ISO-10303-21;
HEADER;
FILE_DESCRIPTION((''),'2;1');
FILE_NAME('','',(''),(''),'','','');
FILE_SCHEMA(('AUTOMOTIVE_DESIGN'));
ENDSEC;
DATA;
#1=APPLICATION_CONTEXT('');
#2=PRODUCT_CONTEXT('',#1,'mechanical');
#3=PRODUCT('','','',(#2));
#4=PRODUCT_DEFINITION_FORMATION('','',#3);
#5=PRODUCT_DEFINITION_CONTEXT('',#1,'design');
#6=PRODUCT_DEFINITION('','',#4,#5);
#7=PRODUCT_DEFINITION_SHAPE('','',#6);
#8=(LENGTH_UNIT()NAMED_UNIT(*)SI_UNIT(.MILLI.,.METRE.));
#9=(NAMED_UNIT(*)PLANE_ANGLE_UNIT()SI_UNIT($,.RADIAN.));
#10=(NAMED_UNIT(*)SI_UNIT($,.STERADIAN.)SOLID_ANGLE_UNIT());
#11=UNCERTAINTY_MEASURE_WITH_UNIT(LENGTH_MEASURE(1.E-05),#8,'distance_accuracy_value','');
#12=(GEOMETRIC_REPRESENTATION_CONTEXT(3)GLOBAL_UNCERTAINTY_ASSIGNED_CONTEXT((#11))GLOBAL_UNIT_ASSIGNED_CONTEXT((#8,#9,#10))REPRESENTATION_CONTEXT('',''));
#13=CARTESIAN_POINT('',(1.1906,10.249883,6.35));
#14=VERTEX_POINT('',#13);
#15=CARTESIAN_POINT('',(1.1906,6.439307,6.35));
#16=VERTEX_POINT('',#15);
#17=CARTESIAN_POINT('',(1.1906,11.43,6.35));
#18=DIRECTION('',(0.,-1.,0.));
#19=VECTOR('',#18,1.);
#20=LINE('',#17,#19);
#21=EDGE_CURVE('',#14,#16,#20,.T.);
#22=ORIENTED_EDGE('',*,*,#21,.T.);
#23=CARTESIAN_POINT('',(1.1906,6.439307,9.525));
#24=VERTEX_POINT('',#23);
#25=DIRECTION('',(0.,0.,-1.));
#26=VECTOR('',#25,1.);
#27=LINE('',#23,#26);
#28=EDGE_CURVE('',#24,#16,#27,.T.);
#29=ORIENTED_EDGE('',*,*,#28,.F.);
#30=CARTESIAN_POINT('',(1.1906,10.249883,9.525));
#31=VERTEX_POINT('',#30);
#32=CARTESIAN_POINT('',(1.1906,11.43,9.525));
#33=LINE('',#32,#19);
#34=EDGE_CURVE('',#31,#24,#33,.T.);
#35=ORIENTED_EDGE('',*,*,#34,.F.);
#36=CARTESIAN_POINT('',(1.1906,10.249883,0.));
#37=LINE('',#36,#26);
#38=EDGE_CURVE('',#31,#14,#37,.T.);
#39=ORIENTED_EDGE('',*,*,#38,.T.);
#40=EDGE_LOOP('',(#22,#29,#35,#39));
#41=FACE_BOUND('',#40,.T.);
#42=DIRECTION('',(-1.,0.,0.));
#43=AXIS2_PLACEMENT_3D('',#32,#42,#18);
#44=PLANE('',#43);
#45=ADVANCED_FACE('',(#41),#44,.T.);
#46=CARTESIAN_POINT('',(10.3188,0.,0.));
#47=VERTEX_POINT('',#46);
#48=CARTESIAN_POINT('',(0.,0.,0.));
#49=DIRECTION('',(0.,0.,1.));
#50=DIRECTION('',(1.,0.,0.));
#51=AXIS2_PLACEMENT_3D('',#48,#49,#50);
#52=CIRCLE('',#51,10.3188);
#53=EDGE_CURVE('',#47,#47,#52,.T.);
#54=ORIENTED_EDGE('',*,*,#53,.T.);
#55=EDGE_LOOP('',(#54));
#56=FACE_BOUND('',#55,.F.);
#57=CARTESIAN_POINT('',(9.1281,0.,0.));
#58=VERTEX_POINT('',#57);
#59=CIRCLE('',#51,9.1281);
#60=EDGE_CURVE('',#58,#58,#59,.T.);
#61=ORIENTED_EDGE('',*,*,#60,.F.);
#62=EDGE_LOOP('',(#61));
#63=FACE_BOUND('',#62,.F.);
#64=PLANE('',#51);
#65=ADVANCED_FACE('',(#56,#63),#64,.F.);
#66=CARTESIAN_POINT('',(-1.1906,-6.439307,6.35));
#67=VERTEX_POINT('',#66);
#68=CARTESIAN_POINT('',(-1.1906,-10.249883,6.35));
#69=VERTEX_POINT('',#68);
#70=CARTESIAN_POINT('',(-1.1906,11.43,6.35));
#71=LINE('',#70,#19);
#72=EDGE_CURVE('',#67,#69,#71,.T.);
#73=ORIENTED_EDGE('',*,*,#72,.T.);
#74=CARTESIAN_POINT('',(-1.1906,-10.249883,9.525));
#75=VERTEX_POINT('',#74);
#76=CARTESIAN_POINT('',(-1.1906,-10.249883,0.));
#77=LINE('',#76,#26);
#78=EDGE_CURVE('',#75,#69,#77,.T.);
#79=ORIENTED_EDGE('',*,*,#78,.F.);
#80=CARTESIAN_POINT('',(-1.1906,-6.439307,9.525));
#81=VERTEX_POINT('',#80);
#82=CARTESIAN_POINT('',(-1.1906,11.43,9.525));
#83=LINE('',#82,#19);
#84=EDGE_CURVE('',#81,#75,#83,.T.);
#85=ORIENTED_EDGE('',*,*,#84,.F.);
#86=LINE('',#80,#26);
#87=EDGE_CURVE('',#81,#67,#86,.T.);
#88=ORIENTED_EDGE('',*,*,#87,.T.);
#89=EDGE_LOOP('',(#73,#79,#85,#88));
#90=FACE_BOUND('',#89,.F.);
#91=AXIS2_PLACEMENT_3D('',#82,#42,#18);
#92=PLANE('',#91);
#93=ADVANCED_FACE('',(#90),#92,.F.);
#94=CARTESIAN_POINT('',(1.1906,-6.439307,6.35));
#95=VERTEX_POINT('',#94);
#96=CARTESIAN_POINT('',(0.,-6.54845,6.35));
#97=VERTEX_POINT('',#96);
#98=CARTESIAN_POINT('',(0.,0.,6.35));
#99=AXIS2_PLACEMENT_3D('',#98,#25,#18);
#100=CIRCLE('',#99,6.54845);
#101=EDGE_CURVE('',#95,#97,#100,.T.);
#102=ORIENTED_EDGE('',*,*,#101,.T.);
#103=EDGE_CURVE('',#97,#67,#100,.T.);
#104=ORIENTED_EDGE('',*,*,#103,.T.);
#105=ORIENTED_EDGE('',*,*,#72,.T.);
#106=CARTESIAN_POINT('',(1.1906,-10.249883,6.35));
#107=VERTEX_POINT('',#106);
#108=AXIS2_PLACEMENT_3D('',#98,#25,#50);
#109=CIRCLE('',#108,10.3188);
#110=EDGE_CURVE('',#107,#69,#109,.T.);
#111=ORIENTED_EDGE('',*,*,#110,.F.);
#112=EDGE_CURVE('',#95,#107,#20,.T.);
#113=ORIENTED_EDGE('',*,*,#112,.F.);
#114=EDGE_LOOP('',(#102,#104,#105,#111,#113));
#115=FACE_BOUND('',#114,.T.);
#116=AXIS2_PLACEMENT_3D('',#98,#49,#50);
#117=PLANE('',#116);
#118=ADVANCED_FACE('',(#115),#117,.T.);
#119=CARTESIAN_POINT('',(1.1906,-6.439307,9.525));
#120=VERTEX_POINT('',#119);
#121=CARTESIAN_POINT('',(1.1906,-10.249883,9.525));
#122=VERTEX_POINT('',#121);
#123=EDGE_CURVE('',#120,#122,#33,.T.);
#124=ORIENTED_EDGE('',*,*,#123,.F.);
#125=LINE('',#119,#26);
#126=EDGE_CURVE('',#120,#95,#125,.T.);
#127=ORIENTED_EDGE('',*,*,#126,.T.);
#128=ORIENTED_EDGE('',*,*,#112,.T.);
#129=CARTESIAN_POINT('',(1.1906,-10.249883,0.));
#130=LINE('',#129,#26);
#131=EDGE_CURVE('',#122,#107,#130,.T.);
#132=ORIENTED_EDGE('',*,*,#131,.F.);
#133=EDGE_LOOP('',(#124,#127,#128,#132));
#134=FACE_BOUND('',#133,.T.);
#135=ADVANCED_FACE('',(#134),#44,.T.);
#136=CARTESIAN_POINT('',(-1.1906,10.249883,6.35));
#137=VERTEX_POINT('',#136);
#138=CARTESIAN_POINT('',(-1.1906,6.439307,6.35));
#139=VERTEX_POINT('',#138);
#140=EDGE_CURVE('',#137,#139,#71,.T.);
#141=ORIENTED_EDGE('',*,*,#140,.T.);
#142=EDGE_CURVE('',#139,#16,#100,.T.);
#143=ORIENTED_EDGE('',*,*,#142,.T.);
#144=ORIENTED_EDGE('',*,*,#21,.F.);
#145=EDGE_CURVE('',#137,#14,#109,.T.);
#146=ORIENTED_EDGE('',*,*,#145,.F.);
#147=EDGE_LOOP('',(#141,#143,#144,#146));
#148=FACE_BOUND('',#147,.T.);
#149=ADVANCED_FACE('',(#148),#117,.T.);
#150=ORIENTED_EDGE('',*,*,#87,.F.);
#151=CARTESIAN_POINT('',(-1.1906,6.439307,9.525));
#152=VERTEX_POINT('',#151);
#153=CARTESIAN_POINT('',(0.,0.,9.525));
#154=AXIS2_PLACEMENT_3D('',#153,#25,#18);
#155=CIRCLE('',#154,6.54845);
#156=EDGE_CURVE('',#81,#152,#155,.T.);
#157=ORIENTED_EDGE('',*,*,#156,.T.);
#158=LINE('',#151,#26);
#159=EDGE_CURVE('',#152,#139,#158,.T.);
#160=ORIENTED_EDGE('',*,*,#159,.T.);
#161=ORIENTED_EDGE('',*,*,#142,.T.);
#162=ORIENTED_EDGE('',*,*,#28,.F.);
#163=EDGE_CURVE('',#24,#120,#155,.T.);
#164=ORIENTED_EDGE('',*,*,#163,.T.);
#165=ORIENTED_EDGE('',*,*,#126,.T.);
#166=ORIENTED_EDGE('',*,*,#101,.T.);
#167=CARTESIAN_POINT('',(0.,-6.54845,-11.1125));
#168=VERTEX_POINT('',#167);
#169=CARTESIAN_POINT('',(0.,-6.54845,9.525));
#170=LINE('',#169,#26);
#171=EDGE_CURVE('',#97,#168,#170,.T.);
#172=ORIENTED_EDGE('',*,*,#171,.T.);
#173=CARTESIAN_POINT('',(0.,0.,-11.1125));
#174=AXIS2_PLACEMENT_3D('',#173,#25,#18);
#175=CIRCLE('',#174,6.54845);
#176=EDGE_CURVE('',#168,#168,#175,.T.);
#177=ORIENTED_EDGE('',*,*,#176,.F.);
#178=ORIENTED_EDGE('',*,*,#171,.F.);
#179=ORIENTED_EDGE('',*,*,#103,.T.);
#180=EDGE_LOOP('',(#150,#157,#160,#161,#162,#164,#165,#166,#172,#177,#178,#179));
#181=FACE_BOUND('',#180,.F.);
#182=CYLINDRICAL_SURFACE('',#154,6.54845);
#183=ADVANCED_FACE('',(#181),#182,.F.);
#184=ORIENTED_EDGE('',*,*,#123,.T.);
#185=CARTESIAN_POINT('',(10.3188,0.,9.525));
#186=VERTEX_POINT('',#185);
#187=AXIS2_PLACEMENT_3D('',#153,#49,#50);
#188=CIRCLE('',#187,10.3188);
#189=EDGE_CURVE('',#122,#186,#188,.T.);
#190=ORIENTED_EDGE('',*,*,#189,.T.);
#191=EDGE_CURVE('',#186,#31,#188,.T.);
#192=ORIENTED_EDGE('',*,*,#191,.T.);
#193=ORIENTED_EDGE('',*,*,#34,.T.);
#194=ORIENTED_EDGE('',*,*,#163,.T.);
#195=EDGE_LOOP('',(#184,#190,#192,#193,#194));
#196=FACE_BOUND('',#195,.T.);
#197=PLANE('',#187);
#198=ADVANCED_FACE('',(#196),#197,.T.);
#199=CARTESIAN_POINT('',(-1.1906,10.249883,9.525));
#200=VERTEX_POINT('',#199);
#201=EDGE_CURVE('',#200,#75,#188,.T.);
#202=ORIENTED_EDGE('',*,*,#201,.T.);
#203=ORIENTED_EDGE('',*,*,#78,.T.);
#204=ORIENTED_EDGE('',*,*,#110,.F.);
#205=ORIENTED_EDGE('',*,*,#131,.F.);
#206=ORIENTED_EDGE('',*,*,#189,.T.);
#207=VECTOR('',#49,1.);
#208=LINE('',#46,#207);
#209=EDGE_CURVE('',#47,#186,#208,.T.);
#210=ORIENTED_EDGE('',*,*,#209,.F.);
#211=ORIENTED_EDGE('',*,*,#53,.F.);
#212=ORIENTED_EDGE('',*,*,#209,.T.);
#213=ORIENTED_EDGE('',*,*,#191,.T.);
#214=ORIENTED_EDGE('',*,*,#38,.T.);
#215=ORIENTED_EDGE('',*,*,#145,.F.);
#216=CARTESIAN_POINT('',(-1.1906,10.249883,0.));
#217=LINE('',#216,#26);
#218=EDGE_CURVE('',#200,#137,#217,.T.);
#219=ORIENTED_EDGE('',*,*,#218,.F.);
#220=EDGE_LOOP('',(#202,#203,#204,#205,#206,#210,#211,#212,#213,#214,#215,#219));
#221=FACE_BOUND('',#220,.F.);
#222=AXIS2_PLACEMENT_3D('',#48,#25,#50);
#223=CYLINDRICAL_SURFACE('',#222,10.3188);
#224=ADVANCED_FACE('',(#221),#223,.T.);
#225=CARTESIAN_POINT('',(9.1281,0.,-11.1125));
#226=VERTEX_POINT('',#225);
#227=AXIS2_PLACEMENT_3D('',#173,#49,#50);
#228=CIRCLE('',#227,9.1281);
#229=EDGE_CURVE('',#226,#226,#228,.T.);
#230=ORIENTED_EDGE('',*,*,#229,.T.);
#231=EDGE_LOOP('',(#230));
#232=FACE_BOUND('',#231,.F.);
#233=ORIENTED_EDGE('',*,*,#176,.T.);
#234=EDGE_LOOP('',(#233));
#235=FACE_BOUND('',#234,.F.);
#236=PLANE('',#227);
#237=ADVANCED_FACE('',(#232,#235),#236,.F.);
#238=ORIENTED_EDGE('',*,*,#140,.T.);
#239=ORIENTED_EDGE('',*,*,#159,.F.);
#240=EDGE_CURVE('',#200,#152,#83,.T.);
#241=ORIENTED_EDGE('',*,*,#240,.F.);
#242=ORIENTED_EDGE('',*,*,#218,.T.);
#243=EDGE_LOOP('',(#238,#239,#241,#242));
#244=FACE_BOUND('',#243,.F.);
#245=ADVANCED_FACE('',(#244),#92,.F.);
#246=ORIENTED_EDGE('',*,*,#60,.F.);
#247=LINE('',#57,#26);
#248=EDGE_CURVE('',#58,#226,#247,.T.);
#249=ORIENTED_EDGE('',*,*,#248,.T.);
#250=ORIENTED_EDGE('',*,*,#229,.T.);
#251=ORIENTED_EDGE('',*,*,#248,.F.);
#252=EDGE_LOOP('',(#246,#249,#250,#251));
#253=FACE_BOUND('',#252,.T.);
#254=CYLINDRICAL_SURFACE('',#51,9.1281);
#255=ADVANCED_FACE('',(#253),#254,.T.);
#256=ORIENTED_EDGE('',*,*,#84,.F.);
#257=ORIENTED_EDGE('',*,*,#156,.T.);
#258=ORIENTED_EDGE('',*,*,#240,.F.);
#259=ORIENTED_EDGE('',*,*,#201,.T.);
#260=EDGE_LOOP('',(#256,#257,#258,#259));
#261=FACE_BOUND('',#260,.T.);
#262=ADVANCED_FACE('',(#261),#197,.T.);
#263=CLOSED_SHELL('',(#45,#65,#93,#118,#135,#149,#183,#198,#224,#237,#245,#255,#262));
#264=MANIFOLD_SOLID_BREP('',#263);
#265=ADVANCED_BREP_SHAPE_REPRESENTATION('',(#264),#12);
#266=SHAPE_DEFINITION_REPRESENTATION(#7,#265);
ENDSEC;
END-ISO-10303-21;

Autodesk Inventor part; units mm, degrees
ref_plane "YZ Plane" through (0, 0, 0) normal (1, 0, 0) x (0, 1, 0)
ref_plane "XZ Plane" through (0, 0, 0) normal (0, 1, 0) x (-1, 0, 0)
ref_plane "XY Plane" through (0, 0, 0) normal (0, 0, 1) x (1, 0, 0)
sketch "Sketch1" plane through (0, 0, 0) normal (0, 0, 1) x (1, 0, 0)
  circle A0 centre (0, 0) radius 9.1281
  dimension "d0" = 18.2563
  dimension "d1" = 0
extrude "Extrusion1" add sketch "Sketch1" against normal blind 11.1125
sketch "Sketch2" plane through (0, 0, 0) normal (0, 0, 1) x (1, 0, 0)
  circle A0 centre (0, 0) radius 10.3188
  dimension "d15" = 20.6375
extrude "Extrusion2" add sketch "Sketch2" along normal blind 9.525
hole "Hole1" at (0, 0, 9.525) direction (0, 0, -1) diameter 13.0969 end through all
thread "Thread2" size "13/16-20 UNEF" class "2A" standard "ANSI Unified Screw Threads" length 9.525
sketch "Sketch3" plane through (0, 0, 9.525) normal (0, 0, 1) x (1, 0, 0)
  line L0 (0, -7.6975) -> (0, 10.1618) construction
  line L1 (0, 11.43) -> (1.1906, 11.43)
  line L2 (1.1906, 11.43) -> (1.1906, -11.43)
  line L3 (1.1906, -11.43) -> (0, -11.43)
  line L4 (0, 11.43) -> (-1.1906, 11.43)
  line L5 (-1.1906, 11.43) -> (-1.1906, -11.43)
  line L6 (-1.1906, -11.43) -> (0, -11.43)
  point P0 (0, 0)
  dimension "d22" = 1.1906
  dimension "d23" = 11.43
  dimension "d24" = 11.43
extrude "Extrusion3" cut sketch "Sketch3" against normal blind 3.175
properties part number "VS-005(COLLAR)" material "Steel, Carbon"
